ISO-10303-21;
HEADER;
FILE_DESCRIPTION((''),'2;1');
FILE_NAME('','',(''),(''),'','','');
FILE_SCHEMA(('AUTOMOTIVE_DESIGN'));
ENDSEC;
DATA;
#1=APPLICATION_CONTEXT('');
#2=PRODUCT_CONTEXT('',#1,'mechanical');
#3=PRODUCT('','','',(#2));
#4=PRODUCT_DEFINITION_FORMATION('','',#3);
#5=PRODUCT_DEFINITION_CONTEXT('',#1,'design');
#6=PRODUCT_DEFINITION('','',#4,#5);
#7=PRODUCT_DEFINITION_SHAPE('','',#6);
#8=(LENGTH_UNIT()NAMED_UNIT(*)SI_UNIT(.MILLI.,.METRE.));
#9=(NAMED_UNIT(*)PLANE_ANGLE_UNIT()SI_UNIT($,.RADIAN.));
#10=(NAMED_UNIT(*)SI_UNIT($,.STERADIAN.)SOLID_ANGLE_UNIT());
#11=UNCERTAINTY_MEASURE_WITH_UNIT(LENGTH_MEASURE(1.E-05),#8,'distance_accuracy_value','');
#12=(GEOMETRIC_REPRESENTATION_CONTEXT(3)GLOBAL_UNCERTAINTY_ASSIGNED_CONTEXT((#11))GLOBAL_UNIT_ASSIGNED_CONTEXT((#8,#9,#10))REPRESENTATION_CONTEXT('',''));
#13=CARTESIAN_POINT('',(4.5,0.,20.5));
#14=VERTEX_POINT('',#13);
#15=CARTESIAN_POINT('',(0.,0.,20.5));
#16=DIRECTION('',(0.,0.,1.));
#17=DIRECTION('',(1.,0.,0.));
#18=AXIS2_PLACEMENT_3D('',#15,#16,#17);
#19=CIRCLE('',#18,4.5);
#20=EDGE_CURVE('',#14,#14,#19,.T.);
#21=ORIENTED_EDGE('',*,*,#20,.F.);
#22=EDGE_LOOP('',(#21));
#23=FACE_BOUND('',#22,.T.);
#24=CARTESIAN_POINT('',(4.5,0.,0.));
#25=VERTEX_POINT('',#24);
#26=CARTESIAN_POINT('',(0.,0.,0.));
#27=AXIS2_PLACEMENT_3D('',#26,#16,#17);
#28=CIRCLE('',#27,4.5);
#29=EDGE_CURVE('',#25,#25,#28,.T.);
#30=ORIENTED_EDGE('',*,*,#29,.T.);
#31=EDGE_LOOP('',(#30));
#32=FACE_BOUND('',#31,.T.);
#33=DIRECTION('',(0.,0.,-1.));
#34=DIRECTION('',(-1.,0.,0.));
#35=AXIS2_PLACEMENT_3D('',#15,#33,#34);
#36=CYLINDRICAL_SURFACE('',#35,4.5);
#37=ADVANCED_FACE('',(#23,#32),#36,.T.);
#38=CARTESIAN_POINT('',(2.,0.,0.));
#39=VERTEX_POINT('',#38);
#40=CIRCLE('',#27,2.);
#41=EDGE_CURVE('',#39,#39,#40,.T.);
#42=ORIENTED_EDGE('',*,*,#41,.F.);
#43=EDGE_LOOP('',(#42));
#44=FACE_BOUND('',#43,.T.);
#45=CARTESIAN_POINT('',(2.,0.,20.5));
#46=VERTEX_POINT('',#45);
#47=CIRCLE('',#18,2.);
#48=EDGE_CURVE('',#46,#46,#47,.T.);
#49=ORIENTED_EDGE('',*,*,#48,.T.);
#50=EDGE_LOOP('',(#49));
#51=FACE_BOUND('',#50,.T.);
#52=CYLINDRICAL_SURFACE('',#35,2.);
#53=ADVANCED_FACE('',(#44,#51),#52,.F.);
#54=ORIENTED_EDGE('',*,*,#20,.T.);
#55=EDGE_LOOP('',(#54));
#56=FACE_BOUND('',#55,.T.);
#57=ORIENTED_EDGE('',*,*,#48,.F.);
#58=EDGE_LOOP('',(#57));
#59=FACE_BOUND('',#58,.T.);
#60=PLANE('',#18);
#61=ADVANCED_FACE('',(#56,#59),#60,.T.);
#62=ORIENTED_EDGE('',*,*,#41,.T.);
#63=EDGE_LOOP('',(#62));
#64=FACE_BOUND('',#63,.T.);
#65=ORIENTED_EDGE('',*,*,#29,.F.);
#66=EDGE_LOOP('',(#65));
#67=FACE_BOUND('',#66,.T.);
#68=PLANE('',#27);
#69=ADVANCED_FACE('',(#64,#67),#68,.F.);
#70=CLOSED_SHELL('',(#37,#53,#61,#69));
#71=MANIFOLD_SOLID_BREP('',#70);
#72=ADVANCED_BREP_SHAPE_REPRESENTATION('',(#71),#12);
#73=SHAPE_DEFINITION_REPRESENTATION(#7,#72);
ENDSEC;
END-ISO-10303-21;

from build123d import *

# Parameters (mm, degrees)
SKIZZE1_R                       = 4.5
SKIZZE1_R_2                     = 2
AUFSATZ_LINEAR_AUSTRAGEN1_DEPTH = 20.5


with BuildPart() as part:
    # Skizze1 → Aufsatz-Linear austragen1 (new body)
    with BuildSketch(Plane.XY):
        Circle(SKIZZE1_R)
        Circle(SKIZZE1_R_2, mode=Mode.SUBTRACT)
    extrude(amount=AUFSATZ_LINEAR_AUSTRAGEN1_DEPTH)


solid = part.part
